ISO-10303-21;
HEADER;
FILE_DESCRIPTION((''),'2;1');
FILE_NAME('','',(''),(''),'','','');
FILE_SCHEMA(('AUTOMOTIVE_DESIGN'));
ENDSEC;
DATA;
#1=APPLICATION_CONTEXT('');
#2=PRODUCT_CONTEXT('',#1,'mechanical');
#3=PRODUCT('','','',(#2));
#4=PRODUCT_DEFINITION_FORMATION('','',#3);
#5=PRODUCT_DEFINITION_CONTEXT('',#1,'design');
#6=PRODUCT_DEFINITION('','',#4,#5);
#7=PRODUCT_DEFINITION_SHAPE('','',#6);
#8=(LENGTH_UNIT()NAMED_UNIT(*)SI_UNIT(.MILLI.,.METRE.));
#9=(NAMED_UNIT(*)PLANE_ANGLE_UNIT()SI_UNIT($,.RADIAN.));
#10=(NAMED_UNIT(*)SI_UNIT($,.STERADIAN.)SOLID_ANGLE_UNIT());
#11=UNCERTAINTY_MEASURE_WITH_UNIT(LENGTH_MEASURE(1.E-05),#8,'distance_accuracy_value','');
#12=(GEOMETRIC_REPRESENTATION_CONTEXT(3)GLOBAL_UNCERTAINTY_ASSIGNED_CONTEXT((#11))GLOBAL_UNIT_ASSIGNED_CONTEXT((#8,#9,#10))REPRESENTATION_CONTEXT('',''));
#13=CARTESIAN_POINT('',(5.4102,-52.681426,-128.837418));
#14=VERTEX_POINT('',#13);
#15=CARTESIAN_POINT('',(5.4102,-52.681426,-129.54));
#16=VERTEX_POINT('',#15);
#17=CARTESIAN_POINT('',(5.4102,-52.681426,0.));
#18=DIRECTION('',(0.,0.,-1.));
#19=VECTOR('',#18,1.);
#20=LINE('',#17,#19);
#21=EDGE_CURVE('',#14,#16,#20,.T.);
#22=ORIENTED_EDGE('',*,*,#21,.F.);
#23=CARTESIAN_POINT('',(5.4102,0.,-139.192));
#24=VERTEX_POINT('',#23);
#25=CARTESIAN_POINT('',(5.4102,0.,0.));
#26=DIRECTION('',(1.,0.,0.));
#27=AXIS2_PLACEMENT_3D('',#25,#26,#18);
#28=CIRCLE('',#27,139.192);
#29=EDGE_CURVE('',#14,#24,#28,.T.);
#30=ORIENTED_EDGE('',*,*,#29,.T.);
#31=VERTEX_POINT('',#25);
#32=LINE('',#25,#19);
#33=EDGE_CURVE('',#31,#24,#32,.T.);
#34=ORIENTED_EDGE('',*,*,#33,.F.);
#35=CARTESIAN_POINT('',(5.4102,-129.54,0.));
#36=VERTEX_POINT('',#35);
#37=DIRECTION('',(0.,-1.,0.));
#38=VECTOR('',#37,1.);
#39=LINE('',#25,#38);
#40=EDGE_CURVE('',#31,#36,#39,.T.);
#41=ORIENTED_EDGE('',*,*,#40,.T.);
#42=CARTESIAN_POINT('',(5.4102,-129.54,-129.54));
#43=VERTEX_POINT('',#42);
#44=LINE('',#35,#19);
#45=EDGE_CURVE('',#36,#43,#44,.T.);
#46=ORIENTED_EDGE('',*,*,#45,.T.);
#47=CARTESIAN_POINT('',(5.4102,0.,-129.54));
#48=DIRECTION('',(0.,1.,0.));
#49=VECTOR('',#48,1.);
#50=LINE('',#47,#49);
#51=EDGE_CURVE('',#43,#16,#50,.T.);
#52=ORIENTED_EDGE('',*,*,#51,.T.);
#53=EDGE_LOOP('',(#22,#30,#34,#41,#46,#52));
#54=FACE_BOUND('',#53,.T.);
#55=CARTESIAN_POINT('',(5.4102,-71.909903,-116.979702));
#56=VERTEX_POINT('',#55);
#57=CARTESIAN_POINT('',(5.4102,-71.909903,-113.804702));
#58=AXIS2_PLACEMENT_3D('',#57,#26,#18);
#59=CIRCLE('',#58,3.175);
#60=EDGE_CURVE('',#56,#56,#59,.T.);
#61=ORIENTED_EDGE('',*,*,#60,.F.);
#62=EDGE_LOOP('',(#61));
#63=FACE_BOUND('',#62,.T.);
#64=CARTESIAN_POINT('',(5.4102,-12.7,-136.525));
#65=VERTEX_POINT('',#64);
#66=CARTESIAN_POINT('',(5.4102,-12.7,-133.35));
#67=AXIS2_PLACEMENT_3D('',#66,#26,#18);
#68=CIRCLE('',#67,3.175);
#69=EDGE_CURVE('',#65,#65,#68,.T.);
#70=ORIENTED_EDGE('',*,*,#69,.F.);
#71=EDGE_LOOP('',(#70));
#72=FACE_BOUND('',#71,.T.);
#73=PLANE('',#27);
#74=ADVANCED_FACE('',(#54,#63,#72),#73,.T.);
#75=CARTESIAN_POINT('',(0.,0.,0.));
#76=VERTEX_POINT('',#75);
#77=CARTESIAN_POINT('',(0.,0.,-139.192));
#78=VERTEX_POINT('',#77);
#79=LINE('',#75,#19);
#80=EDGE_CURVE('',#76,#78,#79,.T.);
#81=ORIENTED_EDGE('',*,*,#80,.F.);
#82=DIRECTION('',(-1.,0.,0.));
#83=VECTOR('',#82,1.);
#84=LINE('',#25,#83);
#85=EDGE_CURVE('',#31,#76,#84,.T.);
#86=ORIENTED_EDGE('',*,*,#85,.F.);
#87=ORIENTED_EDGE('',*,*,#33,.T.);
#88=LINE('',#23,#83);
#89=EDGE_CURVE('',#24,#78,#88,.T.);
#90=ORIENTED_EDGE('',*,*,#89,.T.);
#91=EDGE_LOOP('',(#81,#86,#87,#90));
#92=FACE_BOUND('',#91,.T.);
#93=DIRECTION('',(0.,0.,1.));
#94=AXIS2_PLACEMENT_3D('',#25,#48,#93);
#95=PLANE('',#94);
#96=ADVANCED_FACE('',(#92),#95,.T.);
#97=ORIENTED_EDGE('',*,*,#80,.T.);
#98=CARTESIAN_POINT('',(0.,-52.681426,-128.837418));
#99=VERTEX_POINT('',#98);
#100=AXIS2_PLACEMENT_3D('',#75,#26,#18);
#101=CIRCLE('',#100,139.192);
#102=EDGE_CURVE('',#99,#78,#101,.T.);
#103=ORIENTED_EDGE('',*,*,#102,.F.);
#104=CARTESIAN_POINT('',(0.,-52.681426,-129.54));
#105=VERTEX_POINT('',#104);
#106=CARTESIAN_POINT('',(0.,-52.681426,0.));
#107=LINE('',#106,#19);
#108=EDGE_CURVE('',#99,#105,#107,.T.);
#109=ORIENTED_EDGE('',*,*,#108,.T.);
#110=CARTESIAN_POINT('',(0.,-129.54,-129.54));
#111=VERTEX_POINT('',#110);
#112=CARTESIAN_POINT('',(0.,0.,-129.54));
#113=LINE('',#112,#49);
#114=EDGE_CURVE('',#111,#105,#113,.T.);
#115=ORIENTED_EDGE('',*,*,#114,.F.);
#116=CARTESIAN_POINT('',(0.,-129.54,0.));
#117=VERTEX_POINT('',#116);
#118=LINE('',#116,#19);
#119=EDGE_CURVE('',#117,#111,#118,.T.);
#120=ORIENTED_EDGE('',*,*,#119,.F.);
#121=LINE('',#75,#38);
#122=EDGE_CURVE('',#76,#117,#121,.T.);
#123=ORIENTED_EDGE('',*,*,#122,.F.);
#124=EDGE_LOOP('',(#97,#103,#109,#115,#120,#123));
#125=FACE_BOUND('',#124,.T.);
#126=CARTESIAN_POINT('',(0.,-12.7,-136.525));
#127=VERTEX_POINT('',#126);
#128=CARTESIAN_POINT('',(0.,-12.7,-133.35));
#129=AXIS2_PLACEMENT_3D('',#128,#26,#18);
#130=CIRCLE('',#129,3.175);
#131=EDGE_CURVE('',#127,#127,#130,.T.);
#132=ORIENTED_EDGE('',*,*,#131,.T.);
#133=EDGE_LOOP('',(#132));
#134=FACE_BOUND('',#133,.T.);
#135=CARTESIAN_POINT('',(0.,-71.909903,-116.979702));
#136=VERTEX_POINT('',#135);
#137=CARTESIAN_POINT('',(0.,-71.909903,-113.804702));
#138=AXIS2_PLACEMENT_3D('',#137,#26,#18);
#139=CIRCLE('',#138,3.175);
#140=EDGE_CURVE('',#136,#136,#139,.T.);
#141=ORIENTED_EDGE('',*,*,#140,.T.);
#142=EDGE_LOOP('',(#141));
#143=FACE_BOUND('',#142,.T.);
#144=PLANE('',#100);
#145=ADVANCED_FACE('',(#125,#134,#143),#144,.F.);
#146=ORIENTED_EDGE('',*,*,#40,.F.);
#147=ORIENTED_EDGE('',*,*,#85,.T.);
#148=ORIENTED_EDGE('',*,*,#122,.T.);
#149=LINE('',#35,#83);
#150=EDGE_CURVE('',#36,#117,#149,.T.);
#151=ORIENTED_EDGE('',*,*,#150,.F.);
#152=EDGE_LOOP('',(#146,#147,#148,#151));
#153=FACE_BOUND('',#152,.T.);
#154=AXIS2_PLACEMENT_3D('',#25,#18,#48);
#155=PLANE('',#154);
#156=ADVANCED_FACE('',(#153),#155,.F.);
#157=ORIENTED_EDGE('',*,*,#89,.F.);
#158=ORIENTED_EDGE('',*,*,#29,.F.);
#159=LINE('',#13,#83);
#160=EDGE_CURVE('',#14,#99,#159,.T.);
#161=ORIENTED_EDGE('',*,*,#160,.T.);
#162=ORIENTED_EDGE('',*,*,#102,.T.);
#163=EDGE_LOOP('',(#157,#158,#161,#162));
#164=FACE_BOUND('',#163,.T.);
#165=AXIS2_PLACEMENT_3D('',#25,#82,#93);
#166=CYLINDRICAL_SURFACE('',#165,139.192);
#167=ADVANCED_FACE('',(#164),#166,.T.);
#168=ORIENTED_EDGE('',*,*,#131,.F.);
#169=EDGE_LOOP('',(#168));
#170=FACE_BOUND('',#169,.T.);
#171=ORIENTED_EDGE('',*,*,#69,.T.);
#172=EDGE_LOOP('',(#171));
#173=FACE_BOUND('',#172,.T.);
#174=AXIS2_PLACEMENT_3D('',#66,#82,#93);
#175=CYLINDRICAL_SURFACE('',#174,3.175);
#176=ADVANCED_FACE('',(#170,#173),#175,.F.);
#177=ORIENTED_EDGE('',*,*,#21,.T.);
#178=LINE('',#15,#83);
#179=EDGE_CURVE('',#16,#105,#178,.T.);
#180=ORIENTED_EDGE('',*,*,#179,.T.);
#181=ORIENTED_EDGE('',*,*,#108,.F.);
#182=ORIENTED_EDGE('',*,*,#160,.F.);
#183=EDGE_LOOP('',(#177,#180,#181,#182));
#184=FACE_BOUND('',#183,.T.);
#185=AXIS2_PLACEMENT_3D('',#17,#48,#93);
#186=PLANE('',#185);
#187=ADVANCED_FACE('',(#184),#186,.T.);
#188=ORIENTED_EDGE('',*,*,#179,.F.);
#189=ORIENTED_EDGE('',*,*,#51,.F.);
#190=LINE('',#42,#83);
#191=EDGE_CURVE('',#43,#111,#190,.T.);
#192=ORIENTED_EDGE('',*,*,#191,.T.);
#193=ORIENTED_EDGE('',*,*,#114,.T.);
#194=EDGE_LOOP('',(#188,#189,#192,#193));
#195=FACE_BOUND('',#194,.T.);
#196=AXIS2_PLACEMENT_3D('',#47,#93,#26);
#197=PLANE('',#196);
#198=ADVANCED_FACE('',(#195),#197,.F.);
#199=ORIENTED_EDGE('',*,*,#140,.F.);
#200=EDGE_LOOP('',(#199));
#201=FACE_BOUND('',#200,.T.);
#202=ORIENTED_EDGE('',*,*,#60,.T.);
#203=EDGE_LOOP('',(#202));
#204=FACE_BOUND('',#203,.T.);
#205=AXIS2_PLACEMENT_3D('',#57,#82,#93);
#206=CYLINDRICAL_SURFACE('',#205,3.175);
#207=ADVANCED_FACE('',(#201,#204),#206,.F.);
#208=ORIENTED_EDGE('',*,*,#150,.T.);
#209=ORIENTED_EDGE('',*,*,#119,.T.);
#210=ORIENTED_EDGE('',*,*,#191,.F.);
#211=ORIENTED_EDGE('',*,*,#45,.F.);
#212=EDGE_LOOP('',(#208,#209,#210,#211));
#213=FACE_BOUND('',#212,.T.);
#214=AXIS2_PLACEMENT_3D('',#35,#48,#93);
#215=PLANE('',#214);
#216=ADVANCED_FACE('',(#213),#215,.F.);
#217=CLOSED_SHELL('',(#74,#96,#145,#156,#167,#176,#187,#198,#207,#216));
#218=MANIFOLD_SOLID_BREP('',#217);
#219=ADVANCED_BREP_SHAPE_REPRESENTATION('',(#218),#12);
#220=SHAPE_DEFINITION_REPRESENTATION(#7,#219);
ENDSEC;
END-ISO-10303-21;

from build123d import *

# Parameters (mm, degrees)
SKETCH1_R           = 3.175
BOSS_EXTRUDE2_DEPTH = 5.4102


with BuildPart() as part:
    # Sketch1 → Boss-Extrude2 (new body)
    with BuildSketch(Plane(origin=(0, 0, 0), x_dir=(0, 0, -1), z_dir=(1, 0, 0))):
        with BuildLine():
            Line((139.192, 0), (0, 0))
            Line((0, 0), (0, -129.54))
            Line((0, -129.54), (129.54, -129.54))
            Line((129.54, -129.54), (129.54, -52.681426173))
            Line((129.54, -52.681426173), (128.837417703, -52.681426173))
            ThreePointArc((128.837417703, -52.681426173), (136.578824693, -26.844692391), (139.192, 0))
        make_face()
        with Locations((113.804702463, -71.909902638)):
            Circle(SKETCH1_R, mode=Mode.SUBTRACT)
        with Locations((133.35, -12.7)):
            Circle(SKETCH1_R, mode=Mode.SUBTRACT)
    extrude(amount=BOSS_EXTRUDE2_DEPTH)


solid = part.part
